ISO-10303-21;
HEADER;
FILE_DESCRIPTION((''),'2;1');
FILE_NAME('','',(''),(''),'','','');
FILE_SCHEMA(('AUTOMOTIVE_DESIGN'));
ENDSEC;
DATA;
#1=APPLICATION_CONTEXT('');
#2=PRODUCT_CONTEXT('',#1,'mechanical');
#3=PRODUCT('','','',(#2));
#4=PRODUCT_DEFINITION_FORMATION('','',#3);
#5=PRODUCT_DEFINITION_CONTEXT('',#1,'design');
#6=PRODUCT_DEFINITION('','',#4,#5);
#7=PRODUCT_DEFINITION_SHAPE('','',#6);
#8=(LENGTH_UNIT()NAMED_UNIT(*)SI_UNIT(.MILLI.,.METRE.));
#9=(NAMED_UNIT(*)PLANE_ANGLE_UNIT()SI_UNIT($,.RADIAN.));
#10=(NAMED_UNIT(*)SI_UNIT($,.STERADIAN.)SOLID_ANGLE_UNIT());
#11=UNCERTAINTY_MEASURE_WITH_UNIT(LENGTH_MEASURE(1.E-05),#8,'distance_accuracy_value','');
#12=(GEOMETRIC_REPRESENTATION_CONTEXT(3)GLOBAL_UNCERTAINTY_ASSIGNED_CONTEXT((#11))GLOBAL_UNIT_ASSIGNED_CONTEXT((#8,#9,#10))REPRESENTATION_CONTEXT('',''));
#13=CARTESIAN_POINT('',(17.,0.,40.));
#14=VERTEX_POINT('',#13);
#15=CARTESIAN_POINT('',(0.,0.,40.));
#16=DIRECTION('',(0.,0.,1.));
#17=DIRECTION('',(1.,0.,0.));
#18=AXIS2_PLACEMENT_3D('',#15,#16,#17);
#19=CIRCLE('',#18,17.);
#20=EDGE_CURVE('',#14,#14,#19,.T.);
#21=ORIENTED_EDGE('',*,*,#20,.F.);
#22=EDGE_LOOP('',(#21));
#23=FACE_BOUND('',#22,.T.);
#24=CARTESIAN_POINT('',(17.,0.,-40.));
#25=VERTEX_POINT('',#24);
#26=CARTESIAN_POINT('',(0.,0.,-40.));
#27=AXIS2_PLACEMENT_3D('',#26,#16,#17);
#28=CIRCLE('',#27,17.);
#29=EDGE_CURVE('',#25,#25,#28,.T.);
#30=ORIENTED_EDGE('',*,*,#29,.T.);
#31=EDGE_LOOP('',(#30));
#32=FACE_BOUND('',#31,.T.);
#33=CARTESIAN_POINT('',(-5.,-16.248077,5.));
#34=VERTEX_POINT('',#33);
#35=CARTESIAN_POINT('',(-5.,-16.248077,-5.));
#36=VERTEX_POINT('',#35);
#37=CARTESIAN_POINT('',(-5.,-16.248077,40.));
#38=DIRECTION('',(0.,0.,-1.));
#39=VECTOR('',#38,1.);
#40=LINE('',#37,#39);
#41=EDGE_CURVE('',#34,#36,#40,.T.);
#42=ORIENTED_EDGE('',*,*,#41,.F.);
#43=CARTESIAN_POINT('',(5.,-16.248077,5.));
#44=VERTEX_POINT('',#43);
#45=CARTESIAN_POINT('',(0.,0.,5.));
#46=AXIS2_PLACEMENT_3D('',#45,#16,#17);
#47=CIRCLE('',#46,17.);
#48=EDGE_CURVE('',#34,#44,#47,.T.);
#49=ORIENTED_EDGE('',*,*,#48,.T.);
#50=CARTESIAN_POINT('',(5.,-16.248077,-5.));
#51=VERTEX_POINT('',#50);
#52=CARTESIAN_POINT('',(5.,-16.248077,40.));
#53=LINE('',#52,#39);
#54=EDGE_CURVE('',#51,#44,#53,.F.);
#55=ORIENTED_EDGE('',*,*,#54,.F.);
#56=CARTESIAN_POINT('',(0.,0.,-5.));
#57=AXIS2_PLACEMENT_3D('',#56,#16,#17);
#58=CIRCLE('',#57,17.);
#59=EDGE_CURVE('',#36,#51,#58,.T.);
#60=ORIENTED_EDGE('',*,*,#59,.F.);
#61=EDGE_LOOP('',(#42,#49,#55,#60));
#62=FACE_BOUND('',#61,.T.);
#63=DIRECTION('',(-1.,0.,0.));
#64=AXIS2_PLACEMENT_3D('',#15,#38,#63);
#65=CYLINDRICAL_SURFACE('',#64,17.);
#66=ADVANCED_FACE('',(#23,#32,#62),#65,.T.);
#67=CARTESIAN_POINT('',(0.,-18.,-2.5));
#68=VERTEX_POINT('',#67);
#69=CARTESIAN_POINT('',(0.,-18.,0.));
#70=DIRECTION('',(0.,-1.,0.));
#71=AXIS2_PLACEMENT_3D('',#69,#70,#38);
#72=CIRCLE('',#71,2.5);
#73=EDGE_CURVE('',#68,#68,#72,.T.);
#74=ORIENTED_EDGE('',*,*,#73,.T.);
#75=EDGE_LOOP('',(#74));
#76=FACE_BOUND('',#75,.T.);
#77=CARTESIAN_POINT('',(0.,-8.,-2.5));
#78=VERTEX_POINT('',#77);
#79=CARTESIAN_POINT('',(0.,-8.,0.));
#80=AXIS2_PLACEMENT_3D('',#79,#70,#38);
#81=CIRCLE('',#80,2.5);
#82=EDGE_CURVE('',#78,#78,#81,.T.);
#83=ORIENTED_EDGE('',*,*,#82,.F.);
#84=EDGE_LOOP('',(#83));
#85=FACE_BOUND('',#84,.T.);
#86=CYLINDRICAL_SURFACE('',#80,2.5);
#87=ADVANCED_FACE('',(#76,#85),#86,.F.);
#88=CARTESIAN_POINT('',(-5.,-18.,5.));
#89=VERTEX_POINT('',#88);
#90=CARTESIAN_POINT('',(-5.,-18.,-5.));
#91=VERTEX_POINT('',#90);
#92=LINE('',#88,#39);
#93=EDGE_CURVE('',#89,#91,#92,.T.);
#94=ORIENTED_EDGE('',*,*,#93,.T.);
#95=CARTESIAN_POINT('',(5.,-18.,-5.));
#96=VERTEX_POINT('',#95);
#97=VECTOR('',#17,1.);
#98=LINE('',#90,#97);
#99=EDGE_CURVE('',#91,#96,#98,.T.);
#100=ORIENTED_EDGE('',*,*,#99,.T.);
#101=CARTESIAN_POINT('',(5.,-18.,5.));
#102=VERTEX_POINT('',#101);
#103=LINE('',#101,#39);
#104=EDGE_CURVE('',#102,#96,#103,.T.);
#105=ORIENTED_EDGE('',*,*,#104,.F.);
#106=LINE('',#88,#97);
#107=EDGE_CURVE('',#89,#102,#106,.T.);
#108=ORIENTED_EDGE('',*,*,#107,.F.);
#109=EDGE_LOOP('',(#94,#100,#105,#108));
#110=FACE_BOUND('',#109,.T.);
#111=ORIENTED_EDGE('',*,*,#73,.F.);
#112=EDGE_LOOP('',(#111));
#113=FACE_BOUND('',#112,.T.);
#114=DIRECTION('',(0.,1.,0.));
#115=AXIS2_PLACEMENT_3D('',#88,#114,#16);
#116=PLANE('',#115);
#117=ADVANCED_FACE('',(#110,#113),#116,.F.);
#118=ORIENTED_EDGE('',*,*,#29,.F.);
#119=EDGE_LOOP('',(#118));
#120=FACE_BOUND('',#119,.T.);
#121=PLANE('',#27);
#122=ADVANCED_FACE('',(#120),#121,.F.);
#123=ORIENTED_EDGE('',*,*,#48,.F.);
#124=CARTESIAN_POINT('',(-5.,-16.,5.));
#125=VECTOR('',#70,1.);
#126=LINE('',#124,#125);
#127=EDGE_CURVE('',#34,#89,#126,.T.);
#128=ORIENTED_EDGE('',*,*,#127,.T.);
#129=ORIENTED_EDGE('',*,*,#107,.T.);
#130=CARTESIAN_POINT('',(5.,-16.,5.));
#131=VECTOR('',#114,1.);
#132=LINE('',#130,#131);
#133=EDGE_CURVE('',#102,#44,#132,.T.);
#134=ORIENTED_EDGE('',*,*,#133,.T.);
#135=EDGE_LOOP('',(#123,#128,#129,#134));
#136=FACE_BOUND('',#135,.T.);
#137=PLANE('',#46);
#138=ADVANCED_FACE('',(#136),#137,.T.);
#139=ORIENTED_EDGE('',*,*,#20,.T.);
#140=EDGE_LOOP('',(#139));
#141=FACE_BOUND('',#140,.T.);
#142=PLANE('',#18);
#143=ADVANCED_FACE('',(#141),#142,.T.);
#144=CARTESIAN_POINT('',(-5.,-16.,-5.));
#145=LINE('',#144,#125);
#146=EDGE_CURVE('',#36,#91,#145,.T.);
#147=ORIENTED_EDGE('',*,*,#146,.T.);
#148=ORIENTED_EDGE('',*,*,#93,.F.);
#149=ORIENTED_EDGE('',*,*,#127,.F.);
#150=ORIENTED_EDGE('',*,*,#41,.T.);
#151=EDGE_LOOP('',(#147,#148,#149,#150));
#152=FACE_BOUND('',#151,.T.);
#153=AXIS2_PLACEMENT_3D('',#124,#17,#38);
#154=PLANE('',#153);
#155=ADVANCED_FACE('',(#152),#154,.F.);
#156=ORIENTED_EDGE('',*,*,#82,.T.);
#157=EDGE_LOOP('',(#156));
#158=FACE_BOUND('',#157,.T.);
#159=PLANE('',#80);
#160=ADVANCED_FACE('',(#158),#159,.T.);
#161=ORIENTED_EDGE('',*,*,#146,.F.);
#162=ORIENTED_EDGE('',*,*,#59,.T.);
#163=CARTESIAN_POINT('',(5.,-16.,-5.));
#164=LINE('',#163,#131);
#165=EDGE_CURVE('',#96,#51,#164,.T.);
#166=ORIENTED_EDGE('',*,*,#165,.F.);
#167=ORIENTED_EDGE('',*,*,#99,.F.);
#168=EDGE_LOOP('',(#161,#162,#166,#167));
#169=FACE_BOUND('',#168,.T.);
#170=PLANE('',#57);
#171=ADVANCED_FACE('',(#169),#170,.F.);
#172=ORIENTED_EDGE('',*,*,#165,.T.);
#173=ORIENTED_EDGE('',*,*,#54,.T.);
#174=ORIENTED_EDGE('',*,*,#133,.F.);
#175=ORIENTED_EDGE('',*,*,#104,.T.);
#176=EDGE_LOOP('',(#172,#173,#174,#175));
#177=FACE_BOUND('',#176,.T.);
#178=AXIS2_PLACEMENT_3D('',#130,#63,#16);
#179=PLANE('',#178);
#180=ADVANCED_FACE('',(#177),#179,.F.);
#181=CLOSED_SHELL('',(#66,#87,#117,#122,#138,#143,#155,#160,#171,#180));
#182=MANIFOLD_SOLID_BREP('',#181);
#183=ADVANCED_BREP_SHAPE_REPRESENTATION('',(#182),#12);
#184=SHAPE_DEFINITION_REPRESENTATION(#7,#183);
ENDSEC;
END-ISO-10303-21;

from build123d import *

# Parameters (mm, degrees)
SKETCH1_R           = 17
BOSS_EXTRUDE1_DEPTH = 40
SKETCH2_W           = 10
SKETCH2_H           = 2
BOSS_EXTRUDE2_DEPTH = 5
SKETCH3_R           = 2.5
CUT_EXTRUDE1_DEPTH  = 10


with BuildPart() as part:
    # Sketch1 → Boss-Extrude1 (new, symmetric)
    with BuildSketch(Plane.XY):
        Circle(SKETCH1_R)
    extrude(amount=BOSS_EXTRUDE1_DEPTH, both=True)

    # Sketch2 → Boss-Extrude2 (add, symmetric)
    with BuildSketch(Plane.XY):
        with Locations((0, -17)):
            Rectangle(SKETCH2_W, SKETCH2_H)
    extrude(amount=BOSS_EXTRUDE2_DEPTH, both=True)

    # Sketch3 → Cut-Extrude1 (cut)
    with BuildSketch(Plane.XZ.offset(18)):
        with Locations(Location((0, 0, 0), (0, 0, 270))):
            Circle(SKETCH3_R)
    extrude(amount=-CUT_EXTRUDE1_DEPTH, mode=Mode.SUBTRACT)


solid = part.part
